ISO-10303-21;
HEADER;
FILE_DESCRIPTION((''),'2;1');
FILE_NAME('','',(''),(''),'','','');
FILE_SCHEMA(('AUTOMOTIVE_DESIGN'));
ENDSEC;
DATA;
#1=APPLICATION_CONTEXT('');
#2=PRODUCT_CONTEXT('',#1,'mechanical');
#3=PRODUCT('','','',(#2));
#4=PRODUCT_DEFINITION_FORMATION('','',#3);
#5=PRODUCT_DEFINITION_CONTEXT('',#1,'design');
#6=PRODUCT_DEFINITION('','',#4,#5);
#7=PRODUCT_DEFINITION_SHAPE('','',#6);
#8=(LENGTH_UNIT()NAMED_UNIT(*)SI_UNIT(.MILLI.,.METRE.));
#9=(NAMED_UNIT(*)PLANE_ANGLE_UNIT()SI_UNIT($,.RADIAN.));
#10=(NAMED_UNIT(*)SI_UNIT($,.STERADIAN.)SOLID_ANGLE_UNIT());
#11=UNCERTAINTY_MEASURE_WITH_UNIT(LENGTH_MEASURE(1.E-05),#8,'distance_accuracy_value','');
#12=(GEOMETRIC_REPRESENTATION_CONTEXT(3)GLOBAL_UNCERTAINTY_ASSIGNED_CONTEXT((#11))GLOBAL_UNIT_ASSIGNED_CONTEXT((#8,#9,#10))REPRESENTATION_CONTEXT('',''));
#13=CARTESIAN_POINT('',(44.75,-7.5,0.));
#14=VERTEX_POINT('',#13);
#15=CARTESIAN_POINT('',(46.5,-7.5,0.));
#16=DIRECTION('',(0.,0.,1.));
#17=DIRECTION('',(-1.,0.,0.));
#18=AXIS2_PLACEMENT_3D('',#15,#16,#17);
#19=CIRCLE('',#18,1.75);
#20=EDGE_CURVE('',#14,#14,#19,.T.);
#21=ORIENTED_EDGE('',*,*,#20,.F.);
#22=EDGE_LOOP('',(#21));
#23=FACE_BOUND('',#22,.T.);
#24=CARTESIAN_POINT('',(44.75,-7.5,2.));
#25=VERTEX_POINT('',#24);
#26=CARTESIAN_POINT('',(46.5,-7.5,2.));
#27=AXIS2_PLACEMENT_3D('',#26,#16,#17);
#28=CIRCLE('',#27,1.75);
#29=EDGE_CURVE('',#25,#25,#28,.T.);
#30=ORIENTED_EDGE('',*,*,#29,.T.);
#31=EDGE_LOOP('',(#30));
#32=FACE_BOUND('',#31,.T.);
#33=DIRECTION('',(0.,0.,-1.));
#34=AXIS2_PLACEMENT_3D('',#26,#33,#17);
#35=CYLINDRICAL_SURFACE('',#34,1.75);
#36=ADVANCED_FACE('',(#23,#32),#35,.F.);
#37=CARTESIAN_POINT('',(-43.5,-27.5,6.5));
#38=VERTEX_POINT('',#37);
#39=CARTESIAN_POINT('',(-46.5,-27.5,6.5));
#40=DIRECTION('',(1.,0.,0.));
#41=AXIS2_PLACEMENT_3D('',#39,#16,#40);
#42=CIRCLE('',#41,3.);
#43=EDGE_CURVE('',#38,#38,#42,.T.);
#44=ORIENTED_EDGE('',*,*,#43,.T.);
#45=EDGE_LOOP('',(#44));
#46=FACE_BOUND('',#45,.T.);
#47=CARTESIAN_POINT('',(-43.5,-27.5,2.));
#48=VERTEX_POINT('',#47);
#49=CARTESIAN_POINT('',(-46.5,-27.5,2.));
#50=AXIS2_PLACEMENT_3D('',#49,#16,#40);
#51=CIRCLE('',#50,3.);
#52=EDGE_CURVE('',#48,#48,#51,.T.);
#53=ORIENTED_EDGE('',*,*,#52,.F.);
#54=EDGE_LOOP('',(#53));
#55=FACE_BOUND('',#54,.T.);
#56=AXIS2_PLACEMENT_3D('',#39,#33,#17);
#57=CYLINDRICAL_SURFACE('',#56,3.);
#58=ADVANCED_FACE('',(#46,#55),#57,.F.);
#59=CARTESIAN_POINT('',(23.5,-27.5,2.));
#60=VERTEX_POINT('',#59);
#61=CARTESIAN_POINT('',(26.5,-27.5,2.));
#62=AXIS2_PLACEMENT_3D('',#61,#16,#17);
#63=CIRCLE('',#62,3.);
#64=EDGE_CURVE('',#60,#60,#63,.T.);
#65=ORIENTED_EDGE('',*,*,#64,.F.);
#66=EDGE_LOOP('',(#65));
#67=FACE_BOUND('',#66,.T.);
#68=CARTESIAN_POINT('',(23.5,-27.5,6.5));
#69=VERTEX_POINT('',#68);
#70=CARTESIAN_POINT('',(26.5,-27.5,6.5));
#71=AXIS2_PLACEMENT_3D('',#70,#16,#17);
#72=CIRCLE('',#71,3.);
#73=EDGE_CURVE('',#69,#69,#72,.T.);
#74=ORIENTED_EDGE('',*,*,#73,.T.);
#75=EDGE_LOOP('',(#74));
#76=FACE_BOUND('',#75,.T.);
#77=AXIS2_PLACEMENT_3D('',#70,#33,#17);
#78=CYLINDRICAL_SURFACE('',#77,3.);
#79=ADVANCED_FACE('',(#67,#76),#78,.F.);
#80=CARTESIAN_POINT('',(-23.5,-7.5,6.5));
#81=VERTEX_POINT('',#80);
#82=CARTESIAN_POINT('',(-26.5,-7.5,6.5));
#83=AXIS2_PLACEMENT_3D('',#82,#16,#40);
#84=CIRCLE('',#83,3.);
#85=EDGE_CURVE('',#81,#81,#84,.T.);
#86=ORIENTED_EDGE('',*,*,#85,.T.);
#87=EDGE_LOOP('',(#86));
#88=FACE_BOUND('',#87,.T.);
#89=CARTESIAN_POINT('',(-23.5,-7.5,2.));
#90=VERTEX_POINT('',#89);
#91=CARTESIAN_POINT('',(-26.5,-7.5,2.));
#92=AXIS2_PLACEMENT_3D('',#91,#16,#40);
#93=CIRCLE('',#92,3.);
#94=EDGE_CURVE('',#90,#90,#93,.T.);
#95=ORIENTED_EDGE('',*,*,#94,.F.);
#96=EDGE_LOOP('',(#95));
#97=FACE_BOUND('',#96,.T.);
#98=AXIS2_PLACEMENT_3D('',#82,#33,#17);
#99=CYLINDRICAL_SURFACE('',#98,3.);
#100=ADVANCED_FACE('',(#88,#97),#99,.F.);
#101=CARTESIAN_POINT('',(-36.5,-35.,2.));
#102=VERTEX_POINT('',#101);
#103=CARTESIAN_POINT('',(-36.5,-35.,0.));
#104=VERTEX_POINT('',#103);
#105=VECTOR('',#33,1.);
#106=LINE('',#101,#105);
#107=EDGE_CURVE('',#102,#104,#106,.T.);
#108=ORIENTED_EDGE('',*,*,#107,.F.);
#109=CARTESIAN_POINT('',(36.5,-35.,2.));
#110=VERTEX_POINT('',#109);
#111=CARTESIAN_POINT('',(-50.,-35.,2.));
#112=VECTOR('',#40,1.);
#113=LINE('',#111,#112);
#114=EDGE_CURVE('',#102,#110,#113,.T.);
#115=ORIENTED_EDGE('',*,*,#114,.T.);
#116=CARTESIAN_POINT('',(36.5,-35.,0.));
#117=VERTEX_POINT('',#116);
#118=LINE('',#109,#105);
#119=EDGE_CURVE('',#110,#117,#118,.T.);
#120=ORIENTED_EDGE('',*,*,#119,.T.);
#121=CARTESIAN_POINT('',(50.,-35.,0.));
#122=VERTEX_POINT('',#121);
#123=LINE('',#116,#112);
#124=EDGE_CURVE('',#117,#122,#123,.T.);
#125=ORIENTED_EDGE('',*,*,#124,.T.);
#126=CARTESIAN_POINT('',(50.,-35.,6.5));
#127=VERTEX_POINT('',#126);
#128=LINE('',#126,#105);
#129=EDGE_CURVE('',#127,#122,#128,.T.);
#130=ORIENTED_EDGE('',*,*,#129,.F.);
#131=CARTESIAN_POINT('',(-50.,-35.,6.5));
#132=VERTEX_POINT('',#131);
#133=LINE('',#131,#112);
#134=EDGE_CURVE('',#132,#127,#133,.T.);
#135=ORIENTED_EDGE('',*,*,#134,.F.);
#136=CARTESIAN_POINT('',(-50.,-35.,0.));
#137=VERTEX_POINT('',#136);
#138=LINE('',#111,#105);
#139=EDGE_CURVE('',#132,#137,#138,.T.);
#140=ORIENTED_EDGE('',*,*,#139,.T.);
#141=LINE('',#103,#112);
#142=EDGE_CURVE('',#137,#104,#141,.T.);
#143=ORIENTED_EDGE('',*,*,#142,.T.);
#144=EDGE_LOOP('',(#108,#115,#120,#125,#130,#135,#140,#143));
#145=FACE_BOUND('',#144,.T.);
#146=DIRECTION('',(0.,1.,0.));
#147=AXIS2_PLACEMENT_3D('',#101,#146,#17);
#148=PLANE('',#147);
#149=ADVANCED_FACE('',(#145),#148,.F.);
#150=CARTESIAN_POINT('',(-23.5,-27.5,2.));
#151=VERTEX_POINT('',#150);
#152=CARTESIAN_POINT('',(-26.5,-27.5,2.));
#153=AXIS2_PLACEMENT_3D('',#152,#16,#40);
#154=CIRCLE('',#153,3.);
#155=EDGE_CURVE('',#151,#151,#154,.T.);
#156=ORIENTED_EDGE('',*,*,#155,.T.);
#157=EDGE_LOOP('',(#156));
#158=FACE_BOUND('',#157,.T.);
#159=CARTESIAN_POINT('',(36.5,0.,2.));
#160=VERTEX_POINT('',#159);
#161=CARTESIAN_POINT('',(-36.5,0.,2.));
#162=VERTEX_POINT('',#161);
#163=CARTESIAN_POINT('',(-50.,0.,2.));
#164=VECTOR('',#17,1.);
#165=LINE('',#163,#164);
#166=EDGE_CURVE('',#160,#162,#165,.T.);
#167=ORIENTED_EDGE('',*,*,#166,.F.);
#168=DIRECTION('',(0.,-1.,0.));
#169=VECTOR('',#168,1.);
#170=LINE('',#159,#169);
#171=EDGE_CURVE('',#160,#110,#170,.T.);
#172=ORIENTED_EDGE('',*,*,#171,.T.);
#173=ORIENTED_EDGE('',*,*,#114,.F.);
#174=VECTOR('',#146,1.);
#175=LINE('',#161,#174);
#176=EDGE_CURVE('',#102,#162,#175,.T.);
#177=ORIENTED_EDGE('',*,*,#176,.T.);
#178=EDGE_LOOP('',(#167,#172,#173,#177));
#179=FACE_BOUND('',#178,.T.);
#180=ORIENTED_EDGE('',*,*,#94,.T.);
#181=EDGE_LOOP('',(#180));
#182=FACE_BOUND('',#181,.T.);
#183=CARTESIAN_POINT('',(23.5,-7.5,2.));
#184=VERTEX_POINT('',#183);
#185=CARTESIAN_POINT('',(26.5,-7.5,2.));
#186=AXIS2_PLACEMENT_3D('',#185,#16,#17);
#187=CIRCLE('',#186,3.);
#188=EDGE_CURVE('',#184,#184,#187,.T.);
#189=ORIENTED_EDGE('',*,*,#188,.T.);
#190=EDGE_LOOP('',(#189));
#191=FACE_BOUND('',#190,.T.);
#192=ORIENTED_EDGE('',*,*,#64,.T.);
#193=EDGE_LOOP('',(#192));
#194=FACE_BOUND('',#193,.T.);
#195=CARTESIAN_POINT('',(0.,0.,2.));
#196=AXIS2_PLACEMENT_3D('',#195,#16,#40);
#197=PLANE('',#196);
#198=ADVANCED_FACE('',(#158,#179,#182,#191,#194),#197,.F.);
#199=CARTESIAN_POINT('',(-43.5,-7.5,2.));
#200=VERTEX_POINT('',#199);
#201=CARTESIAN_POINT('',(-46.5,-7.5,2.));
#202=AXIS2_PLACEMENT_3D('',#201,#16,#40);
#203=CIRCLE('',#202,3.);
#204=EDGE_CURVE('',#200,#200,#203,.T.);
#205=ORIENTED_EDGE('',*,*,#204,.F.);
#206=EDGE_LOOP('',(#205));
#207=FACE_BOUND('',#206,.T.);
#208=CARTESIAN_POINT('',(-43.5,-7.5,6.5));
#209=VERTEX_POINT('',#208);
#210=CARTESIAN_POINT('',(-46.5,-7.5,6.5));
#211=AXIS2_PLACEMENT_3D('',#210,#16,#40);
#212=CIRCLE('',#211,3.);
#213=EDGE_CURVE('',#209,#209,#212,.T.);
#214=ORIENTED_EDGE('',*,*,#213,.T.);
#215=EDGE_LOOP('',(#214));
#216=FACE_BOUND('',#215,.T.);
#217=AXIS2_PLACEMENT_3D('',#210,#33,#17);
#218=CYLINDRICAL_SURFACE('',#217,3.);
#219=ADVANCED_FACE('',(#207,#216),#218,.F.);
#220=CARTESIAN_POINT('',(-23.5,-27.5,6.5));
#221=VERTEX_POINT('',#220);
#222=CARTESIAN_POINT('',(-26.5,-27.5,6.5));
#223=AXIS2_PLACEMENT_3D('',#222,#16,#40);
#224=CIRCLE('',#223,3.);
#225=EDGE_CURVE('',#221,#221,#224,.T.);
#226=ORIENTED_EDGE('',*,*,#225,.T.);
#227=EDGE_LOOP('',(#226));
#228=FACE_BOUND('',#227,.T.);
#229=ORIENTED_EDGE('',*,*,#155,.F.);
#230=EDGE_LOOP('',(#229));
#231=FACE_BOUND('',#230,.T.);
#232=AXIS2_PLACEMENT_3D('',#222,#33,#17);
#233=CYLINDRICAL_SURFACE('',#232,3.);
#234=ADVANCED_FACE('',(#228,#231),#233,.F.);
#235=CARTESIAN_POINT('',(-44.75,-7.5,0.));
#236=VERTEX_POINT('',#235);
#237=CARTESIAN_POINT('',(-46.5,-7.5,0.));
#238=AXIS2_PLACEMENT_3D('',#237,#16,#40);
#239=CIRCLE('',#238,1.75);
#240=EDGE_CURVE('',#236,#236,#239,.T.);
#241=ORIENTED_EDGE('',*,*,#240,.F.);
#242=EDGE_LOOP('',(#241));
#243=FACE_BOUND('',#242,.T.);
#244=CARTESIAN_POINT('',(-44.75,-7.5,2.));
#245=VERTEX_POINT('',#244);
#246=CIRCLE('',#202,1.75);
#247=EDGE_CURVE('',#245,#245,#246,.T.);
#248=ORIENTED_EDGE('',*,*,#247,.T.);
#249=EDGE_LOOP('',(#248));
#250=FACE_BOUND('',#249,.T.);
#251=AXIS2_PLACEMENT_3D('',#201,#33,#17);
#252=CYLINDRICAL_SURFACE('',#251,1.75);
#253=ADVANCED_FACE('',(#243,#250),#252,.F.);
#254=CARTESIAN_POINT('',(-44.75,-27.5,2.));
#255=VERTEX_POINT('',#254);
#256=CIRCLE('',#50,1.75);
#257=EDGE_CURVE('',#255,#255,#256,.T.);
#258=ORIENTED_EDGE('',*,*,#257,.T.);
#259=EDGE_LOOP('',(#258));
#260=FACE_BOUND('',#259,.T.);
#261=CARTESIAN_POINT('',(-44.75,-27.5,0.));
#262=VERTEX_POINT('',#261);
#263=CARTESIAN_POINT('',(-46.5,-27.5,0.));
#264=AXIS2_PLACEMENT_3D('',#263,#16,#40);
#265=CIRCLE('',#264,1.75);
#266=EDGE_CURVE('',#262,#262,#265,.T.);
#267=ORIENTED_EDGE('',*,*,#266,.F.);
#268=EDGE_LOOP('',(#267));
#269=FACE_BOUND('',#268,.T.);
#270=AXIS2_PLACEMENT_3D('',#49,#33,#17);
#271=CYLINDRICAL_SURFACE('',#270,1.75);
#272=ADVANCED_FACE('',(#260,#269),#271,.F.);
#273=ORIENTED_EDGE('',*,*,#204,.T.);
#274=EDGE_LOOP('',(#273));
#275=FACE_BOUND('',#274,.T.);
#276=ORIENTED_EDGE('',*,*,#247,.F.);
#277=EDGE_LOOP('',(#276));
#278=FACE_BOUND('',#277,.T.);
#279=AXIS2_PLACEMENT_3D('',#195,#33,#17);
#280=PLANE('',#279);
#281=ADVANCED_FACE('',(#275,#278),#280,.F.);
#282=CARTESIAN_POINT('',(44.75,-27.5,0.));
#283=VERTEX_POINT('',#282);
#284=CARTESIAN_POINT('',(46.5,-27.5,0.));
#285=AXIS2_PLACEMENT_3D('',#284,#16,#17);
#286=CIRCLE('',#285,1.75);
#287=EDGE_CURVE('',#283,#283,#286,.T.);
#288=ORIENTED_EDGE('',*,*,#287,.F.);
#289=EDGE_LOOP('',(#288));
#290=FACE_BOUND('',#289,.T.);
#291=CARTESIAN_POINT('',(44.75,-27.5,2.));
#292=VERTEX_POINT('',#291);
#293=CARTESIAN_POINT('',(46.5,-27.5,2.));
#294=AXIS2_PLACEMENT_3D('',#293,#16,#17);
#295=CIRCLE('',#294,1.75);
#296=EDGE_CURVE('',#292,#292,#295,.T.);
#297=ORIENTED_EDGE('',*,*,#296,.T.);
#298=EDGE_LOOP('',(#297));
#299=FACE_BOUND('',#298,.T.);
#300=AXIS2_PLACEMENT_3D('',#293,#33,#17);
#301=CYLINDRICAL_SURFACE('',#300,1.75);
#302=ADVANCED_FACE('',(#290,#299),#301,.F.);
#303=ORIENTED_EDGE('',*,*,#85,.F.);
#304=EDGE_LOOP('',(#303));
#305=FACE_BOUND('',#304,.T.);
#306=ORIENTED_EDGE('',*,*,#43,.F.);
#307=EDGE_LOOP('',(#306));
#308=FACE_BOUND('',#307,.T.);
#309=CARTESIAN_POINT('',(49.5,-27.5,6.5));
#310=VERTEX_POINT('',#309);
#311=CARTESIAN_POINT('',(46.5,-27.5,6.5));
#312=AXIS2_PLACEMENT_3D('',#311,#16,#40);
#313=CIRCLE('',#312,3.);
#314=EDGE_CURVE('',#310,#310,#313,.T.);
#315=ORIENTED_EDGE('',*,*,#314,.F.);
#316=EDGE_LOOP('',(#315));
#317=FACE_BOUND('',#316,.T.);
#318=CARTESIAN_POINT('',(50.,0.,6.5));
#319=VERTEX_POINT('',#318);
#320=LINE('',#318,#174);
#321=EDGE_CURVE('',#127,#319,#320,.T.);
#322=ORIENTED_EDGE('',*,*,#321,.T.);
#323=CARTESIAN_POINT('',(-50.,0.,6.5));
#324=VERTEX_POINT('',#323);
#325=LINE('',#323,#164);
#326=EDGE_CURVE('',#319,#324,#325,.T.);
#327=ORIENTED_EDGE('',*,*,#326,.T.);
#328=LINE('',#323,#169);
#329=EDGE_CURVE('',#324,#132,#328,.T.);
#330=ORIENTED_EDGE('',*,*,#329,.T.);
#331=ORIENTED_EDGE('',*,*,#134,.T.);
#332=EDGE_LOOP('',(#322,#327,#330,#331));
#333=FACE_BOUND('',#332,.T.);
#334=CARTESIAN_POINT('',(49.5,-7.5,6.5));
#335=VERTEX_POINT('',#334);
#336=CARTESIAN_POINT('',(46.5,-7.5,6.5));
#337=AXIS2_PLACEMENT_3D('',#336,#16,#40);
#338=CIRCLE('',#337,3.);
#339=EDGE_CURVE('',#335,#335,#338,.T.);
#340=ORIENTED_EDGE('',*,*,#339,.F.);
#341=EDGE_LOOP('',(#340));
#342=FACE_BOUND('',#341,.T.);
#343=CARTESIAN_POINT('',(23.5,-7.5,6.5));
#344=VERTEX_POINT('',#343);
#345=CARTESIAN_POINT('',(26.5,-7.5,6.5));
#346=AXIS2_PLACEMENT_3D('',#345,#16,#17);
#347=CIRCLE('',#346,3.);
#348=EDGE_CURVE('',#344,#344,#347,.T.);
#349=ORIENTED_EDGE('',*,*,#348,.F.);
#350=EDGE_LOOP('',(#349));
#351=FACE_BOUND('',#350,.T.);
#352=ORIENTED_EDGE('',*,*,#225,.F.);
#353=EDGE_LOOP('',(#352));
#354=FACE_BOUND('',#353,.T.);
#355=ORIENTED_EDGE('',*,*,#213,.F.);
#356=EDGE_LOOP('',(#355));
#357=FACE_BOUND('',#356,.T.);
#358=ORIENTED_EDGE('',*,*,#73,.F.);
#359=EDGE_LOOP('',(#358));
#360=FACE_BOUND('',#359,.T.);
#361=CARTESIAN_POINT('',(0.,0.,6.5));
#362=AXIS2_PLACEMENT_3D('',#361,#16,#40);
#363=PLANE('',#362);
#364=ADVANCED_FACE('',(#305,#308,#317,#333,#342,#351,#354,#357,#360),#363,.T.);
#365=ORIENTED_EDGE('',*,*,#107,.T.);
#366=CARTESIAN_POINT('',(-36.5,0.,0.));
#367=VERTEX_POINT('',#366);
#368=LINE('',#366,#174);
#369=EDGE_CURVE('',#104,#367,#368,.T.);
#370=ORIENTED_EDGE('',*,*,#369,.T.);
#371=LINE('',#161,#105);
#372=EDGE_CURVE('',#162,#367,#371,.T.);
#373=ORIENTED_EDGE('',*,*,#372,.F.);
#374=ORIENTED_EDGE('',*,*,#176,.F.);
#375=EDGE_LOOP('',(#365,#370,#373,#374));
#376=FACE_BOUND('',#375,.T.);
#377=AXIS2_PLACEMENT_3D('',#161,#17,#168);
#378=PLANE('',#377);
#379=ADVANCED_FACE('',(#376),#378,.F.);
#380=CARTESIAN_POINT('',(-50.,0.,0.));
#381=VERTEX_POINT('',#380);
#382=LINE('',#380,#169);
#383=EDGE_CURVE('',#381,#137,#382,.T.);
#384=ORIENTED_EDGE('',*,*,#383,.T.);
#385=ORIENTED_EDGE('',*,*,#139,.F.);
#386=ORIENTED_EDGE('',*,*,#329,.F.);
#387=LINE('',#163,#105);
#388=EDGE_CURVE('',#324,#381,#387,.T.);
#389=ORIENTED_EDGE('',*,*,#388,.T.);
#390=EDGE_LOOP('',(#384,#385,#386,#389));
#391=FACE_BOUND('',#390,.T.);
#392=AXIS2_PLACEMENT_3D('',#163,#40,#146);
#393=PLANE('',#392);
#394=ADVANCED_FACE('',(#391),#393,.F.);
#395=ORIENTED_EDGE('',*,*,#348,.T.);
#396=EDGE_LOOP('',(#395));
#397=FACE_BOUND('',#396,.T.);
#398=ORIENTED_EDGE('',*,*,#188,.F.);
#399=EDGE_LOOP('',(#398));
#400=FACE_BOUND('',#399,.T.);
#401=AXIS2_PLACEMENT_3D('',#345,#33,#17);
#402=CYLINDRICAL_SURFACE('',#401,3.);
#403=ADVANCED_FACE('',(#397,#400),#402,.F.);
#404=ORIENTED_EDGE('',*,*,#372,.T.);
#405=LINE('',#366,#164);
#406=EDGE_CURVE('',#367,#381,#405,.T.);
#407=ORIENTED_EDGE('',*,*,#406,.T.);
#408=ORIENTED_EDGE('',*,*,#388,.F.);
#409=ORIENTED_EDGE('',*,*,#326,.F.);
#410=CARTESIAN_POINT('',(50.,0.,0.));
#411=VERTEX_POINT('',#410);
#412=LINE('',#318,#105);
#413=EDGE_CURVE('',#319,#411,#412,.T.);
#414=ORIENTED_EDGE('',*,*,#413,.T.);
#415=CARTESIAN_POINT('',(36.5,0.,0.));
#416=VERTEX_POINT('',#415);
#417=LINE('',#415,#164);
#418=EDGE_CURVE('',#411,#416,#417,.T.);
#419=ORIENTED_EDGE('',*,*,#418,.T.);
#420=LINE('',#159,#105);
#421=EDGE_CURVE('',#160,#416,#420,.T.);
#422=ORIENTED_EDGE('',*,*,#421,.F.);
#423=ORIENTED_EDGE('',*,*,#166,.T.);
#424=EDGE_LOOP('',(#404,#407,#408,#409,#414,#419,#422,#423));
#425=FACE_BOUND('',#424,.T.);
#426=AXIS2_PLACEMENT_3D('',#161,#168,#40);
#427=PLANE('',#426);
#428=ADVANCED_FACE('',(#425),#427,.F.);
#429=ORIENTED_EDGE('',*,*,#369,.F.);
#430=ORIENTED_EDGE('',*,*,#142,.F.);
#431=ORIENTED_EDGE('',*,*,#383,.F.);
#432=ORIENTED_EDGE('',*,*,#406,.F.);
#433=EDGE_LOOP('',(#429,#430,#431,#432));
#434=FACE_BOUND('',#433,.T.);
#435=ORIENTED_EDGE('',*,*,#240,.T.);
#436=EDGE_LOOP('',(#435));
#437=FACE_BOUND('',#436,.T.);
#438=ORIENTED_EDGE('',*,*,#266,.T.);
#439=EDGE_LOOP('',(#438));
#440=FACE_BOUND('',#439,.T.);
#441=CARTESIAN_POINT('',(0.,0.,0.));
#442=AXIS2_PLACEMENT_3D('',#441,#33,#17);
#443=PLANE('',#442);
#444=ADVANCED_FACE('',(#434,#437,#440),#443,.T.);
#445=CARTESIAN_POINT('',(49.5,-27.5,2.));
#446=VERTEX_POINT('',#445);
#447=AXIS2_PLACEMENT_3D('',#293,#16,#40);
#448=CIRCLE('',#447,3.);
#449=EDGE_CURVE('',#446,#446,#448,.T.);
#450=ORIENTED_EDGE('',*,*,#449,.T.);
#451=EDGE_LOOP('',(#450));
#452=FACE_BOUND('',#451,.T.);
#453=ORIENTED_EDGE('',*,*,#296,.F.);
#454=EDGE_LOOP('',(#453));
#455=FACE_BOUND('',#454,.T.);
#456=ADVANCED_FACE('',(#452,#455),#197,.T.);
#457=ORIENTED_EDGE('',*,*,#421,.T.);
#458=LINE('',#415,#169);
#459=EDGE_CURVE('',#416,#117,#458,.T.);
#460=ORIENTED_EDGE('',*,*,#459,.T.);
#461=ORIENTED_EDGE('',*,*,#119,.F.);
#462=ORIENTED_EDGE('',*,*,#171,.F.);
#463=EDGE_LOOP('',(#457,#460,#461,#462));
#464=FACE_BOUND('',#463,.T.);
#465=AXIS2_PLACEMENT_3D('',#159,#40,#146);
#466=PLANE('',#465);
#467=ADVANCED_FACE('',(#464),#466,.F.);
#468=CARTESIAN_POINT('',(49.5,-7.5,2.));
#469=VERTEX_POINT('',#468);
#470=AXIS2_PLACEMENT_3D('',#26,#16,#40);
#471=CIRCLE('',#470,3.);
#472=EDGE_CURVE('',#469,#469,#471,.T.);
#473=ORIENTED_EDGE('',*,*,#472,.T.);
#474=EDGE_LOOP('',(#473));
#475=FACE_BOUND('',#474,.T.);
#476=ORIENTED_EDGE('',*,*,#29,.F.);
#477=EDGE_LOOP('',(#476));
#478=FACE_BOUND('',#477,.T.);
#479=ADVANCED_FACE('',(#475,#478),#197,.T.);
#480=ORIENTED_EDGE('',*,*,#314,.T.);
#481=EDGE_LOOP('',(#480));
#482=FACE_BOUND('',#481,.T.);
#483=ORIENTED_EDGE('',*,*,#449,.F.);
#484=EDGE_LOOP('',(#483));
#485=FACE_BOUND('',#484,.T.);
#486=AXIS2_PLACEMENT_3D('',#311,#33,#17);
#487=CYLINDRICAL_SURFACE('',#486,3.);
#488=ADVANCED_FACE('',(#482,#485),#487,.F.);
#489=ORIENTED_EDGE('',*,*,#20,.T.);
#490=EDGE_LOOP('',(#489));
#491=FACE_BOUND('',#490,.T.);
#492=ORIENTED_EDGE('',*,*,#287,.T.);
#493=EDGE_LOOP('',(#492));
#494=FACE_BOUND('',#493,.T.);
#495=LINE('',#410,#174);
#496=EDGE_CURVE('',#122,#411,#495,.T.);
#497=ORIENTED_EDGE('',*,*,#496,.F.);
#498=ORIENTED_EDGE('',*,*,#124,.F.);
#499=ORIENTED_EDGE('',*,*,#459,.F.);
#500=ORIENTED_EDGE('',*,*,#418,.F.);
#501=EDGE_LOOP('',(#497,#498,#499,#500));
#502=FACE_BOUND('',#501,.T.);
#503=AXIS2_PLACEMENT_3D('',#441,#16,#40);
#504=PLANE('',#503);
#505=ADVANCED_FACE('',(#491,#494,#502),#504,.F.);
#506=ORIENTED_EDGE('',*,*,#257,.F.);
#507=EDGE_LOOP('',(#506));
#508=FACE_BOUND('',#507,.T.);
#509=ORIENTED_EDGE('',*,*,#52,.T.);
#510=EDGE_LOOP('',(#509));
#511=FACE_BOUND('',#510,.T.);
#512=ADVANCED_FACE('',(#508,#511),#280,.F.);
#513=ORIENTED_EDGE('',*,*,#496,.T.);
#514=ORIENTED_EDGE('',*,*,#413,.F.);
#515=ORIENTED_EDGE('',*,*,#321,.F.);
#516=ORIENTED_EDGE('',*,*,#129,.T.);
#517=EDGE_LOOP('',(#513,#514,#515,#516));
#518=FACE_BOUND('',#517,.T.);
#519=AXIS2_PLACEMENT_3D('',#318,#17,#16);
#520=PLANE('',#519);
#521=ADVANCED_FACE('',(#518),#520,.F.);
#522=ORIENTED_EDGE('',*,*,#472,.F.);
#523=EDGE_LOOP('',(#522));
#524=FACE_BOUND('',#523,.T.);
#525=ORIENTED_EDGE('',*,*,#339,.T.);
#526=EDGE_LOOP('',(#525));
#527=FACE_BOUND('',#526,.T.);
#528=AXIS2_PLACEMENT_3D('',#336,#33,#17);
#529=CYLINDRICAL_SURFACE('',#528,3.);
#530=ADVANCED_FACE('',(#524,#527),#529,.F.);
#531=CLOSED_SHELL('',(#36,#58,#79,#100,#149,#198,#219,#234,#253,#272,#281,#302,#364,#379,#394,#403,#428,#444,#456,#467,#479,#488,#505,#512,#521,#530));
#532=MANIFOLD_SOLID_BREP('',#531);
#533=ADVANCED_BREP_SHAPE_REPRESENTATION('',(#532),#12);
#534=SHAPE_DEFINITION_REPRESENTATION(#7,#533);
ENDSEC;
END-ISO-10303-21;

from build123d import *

# Parameters (mm, degrees)
ESQUISSE1_W          = 13.5
ESQUISSE1_H          = 35
ESQUISSE1_R          = 1.75
BOSS_EXTRU_1_DEPTH   = 2
BOSS_EXTRU_1_2_DEPTH = 2
ESQUISSE2_W          = 100
ESQUISSE2_H          = 35
ESQUISSE2_R          = 3
BOSS_EXTRU_2_DEPTH   = 4.5


with BuildPart() as part:
    # Esquisse1 → Boss.-Extru.1 (new body)
    with BuildSketch(Plane.XY):
        with Locations((-43.25, -17.5)):
            Rectangle(ESQUISSE1_W, ESQUISSE1_H)
        with Locations((-46.5, -7.5)):
            Circle(ESQUISSE1_R, mode=Mode.SUBTRACT)
        with Locations((-46.5, -27.5)):
            Circle(ESQUISSE1_R, mode=Mode.SUBTRACT)
    extrude(amount=BOSS_EXTRU_1_DEPTH)



with BuildPart() as body_2:
    # Esquisse1 → Boss.-Extru.1 2 (new body)
    with BuildSketch(Plane.XY):
        with Locations((43.25, -17.5)):
            Rectangle(ESQUISSE1_W, ESQUISSE1_H)
        with Locations(Location((46.5, -27.5, 0), (0, 0, 180))):
            Circle(ESQUISSE1_R, mode=Mode.SUBTRACT)
        with Locations(Location((46.5, -7.5, 0), (0, 0, 180))):
            Circle(ESQUISSE1_R, mode=Mode.SUBTRACT)
    extrude(amount=BOSS_EXTRU_1_2_DEPTH)


with BuildPart() as part_1:
    add(part.part)

    add(body_2.part)  # Boss.-Extru.2 merges body 2
    # Esquisse2 → Boss.-Extru.2 (add)
    with BuildSketch(Plane.XY.offset(2)):
        with Locations((0, -17.5)):
            Rectangle(ESQUISSE2_W, ESQUISSE2_H)
        with Locations((-46.5, -7.5)):
            Circle(ESQUISSE2_R, mode=Mode.SUBTRACT)
        with Locations((-46.5, -27.5)):
            Circle(ESQUISSE2_R, mode=Mode.SUBTRACT)
        with Locations((46.5, -7.5)):
            Circle(ESQUISSE2_R, mode=Mode.SUBTRACT)
        with Locations((46.5, -27.5)):
            Circle(ESQUISSE2_R, mode=Mode.SUBTRACT)
        with Locations((-26.5, -7.5)):
            Circle(ESQUISSE2_R, mode=Mode.SUBTRACT)
        with Locations((-26.5, -27.5)):
            Circle(ESQUISSE2_R, mode=Mode.SUBTRACT)
        with Locations(Location((26.5, -27.5, 0), (0, 0, 180))):
            Circle(ESQUISSE2_R, mode=Mode.SUBTRACT)
        with Locations(Location((26.5, -7.5, 0), (0, 0, 180))):
            Circle(ESQUISSE2_R, mode=Mode.SUBTRACT)
    extrude(amount=BOSS_EXTRU_2_DEPTH)


solid = part_1.part
